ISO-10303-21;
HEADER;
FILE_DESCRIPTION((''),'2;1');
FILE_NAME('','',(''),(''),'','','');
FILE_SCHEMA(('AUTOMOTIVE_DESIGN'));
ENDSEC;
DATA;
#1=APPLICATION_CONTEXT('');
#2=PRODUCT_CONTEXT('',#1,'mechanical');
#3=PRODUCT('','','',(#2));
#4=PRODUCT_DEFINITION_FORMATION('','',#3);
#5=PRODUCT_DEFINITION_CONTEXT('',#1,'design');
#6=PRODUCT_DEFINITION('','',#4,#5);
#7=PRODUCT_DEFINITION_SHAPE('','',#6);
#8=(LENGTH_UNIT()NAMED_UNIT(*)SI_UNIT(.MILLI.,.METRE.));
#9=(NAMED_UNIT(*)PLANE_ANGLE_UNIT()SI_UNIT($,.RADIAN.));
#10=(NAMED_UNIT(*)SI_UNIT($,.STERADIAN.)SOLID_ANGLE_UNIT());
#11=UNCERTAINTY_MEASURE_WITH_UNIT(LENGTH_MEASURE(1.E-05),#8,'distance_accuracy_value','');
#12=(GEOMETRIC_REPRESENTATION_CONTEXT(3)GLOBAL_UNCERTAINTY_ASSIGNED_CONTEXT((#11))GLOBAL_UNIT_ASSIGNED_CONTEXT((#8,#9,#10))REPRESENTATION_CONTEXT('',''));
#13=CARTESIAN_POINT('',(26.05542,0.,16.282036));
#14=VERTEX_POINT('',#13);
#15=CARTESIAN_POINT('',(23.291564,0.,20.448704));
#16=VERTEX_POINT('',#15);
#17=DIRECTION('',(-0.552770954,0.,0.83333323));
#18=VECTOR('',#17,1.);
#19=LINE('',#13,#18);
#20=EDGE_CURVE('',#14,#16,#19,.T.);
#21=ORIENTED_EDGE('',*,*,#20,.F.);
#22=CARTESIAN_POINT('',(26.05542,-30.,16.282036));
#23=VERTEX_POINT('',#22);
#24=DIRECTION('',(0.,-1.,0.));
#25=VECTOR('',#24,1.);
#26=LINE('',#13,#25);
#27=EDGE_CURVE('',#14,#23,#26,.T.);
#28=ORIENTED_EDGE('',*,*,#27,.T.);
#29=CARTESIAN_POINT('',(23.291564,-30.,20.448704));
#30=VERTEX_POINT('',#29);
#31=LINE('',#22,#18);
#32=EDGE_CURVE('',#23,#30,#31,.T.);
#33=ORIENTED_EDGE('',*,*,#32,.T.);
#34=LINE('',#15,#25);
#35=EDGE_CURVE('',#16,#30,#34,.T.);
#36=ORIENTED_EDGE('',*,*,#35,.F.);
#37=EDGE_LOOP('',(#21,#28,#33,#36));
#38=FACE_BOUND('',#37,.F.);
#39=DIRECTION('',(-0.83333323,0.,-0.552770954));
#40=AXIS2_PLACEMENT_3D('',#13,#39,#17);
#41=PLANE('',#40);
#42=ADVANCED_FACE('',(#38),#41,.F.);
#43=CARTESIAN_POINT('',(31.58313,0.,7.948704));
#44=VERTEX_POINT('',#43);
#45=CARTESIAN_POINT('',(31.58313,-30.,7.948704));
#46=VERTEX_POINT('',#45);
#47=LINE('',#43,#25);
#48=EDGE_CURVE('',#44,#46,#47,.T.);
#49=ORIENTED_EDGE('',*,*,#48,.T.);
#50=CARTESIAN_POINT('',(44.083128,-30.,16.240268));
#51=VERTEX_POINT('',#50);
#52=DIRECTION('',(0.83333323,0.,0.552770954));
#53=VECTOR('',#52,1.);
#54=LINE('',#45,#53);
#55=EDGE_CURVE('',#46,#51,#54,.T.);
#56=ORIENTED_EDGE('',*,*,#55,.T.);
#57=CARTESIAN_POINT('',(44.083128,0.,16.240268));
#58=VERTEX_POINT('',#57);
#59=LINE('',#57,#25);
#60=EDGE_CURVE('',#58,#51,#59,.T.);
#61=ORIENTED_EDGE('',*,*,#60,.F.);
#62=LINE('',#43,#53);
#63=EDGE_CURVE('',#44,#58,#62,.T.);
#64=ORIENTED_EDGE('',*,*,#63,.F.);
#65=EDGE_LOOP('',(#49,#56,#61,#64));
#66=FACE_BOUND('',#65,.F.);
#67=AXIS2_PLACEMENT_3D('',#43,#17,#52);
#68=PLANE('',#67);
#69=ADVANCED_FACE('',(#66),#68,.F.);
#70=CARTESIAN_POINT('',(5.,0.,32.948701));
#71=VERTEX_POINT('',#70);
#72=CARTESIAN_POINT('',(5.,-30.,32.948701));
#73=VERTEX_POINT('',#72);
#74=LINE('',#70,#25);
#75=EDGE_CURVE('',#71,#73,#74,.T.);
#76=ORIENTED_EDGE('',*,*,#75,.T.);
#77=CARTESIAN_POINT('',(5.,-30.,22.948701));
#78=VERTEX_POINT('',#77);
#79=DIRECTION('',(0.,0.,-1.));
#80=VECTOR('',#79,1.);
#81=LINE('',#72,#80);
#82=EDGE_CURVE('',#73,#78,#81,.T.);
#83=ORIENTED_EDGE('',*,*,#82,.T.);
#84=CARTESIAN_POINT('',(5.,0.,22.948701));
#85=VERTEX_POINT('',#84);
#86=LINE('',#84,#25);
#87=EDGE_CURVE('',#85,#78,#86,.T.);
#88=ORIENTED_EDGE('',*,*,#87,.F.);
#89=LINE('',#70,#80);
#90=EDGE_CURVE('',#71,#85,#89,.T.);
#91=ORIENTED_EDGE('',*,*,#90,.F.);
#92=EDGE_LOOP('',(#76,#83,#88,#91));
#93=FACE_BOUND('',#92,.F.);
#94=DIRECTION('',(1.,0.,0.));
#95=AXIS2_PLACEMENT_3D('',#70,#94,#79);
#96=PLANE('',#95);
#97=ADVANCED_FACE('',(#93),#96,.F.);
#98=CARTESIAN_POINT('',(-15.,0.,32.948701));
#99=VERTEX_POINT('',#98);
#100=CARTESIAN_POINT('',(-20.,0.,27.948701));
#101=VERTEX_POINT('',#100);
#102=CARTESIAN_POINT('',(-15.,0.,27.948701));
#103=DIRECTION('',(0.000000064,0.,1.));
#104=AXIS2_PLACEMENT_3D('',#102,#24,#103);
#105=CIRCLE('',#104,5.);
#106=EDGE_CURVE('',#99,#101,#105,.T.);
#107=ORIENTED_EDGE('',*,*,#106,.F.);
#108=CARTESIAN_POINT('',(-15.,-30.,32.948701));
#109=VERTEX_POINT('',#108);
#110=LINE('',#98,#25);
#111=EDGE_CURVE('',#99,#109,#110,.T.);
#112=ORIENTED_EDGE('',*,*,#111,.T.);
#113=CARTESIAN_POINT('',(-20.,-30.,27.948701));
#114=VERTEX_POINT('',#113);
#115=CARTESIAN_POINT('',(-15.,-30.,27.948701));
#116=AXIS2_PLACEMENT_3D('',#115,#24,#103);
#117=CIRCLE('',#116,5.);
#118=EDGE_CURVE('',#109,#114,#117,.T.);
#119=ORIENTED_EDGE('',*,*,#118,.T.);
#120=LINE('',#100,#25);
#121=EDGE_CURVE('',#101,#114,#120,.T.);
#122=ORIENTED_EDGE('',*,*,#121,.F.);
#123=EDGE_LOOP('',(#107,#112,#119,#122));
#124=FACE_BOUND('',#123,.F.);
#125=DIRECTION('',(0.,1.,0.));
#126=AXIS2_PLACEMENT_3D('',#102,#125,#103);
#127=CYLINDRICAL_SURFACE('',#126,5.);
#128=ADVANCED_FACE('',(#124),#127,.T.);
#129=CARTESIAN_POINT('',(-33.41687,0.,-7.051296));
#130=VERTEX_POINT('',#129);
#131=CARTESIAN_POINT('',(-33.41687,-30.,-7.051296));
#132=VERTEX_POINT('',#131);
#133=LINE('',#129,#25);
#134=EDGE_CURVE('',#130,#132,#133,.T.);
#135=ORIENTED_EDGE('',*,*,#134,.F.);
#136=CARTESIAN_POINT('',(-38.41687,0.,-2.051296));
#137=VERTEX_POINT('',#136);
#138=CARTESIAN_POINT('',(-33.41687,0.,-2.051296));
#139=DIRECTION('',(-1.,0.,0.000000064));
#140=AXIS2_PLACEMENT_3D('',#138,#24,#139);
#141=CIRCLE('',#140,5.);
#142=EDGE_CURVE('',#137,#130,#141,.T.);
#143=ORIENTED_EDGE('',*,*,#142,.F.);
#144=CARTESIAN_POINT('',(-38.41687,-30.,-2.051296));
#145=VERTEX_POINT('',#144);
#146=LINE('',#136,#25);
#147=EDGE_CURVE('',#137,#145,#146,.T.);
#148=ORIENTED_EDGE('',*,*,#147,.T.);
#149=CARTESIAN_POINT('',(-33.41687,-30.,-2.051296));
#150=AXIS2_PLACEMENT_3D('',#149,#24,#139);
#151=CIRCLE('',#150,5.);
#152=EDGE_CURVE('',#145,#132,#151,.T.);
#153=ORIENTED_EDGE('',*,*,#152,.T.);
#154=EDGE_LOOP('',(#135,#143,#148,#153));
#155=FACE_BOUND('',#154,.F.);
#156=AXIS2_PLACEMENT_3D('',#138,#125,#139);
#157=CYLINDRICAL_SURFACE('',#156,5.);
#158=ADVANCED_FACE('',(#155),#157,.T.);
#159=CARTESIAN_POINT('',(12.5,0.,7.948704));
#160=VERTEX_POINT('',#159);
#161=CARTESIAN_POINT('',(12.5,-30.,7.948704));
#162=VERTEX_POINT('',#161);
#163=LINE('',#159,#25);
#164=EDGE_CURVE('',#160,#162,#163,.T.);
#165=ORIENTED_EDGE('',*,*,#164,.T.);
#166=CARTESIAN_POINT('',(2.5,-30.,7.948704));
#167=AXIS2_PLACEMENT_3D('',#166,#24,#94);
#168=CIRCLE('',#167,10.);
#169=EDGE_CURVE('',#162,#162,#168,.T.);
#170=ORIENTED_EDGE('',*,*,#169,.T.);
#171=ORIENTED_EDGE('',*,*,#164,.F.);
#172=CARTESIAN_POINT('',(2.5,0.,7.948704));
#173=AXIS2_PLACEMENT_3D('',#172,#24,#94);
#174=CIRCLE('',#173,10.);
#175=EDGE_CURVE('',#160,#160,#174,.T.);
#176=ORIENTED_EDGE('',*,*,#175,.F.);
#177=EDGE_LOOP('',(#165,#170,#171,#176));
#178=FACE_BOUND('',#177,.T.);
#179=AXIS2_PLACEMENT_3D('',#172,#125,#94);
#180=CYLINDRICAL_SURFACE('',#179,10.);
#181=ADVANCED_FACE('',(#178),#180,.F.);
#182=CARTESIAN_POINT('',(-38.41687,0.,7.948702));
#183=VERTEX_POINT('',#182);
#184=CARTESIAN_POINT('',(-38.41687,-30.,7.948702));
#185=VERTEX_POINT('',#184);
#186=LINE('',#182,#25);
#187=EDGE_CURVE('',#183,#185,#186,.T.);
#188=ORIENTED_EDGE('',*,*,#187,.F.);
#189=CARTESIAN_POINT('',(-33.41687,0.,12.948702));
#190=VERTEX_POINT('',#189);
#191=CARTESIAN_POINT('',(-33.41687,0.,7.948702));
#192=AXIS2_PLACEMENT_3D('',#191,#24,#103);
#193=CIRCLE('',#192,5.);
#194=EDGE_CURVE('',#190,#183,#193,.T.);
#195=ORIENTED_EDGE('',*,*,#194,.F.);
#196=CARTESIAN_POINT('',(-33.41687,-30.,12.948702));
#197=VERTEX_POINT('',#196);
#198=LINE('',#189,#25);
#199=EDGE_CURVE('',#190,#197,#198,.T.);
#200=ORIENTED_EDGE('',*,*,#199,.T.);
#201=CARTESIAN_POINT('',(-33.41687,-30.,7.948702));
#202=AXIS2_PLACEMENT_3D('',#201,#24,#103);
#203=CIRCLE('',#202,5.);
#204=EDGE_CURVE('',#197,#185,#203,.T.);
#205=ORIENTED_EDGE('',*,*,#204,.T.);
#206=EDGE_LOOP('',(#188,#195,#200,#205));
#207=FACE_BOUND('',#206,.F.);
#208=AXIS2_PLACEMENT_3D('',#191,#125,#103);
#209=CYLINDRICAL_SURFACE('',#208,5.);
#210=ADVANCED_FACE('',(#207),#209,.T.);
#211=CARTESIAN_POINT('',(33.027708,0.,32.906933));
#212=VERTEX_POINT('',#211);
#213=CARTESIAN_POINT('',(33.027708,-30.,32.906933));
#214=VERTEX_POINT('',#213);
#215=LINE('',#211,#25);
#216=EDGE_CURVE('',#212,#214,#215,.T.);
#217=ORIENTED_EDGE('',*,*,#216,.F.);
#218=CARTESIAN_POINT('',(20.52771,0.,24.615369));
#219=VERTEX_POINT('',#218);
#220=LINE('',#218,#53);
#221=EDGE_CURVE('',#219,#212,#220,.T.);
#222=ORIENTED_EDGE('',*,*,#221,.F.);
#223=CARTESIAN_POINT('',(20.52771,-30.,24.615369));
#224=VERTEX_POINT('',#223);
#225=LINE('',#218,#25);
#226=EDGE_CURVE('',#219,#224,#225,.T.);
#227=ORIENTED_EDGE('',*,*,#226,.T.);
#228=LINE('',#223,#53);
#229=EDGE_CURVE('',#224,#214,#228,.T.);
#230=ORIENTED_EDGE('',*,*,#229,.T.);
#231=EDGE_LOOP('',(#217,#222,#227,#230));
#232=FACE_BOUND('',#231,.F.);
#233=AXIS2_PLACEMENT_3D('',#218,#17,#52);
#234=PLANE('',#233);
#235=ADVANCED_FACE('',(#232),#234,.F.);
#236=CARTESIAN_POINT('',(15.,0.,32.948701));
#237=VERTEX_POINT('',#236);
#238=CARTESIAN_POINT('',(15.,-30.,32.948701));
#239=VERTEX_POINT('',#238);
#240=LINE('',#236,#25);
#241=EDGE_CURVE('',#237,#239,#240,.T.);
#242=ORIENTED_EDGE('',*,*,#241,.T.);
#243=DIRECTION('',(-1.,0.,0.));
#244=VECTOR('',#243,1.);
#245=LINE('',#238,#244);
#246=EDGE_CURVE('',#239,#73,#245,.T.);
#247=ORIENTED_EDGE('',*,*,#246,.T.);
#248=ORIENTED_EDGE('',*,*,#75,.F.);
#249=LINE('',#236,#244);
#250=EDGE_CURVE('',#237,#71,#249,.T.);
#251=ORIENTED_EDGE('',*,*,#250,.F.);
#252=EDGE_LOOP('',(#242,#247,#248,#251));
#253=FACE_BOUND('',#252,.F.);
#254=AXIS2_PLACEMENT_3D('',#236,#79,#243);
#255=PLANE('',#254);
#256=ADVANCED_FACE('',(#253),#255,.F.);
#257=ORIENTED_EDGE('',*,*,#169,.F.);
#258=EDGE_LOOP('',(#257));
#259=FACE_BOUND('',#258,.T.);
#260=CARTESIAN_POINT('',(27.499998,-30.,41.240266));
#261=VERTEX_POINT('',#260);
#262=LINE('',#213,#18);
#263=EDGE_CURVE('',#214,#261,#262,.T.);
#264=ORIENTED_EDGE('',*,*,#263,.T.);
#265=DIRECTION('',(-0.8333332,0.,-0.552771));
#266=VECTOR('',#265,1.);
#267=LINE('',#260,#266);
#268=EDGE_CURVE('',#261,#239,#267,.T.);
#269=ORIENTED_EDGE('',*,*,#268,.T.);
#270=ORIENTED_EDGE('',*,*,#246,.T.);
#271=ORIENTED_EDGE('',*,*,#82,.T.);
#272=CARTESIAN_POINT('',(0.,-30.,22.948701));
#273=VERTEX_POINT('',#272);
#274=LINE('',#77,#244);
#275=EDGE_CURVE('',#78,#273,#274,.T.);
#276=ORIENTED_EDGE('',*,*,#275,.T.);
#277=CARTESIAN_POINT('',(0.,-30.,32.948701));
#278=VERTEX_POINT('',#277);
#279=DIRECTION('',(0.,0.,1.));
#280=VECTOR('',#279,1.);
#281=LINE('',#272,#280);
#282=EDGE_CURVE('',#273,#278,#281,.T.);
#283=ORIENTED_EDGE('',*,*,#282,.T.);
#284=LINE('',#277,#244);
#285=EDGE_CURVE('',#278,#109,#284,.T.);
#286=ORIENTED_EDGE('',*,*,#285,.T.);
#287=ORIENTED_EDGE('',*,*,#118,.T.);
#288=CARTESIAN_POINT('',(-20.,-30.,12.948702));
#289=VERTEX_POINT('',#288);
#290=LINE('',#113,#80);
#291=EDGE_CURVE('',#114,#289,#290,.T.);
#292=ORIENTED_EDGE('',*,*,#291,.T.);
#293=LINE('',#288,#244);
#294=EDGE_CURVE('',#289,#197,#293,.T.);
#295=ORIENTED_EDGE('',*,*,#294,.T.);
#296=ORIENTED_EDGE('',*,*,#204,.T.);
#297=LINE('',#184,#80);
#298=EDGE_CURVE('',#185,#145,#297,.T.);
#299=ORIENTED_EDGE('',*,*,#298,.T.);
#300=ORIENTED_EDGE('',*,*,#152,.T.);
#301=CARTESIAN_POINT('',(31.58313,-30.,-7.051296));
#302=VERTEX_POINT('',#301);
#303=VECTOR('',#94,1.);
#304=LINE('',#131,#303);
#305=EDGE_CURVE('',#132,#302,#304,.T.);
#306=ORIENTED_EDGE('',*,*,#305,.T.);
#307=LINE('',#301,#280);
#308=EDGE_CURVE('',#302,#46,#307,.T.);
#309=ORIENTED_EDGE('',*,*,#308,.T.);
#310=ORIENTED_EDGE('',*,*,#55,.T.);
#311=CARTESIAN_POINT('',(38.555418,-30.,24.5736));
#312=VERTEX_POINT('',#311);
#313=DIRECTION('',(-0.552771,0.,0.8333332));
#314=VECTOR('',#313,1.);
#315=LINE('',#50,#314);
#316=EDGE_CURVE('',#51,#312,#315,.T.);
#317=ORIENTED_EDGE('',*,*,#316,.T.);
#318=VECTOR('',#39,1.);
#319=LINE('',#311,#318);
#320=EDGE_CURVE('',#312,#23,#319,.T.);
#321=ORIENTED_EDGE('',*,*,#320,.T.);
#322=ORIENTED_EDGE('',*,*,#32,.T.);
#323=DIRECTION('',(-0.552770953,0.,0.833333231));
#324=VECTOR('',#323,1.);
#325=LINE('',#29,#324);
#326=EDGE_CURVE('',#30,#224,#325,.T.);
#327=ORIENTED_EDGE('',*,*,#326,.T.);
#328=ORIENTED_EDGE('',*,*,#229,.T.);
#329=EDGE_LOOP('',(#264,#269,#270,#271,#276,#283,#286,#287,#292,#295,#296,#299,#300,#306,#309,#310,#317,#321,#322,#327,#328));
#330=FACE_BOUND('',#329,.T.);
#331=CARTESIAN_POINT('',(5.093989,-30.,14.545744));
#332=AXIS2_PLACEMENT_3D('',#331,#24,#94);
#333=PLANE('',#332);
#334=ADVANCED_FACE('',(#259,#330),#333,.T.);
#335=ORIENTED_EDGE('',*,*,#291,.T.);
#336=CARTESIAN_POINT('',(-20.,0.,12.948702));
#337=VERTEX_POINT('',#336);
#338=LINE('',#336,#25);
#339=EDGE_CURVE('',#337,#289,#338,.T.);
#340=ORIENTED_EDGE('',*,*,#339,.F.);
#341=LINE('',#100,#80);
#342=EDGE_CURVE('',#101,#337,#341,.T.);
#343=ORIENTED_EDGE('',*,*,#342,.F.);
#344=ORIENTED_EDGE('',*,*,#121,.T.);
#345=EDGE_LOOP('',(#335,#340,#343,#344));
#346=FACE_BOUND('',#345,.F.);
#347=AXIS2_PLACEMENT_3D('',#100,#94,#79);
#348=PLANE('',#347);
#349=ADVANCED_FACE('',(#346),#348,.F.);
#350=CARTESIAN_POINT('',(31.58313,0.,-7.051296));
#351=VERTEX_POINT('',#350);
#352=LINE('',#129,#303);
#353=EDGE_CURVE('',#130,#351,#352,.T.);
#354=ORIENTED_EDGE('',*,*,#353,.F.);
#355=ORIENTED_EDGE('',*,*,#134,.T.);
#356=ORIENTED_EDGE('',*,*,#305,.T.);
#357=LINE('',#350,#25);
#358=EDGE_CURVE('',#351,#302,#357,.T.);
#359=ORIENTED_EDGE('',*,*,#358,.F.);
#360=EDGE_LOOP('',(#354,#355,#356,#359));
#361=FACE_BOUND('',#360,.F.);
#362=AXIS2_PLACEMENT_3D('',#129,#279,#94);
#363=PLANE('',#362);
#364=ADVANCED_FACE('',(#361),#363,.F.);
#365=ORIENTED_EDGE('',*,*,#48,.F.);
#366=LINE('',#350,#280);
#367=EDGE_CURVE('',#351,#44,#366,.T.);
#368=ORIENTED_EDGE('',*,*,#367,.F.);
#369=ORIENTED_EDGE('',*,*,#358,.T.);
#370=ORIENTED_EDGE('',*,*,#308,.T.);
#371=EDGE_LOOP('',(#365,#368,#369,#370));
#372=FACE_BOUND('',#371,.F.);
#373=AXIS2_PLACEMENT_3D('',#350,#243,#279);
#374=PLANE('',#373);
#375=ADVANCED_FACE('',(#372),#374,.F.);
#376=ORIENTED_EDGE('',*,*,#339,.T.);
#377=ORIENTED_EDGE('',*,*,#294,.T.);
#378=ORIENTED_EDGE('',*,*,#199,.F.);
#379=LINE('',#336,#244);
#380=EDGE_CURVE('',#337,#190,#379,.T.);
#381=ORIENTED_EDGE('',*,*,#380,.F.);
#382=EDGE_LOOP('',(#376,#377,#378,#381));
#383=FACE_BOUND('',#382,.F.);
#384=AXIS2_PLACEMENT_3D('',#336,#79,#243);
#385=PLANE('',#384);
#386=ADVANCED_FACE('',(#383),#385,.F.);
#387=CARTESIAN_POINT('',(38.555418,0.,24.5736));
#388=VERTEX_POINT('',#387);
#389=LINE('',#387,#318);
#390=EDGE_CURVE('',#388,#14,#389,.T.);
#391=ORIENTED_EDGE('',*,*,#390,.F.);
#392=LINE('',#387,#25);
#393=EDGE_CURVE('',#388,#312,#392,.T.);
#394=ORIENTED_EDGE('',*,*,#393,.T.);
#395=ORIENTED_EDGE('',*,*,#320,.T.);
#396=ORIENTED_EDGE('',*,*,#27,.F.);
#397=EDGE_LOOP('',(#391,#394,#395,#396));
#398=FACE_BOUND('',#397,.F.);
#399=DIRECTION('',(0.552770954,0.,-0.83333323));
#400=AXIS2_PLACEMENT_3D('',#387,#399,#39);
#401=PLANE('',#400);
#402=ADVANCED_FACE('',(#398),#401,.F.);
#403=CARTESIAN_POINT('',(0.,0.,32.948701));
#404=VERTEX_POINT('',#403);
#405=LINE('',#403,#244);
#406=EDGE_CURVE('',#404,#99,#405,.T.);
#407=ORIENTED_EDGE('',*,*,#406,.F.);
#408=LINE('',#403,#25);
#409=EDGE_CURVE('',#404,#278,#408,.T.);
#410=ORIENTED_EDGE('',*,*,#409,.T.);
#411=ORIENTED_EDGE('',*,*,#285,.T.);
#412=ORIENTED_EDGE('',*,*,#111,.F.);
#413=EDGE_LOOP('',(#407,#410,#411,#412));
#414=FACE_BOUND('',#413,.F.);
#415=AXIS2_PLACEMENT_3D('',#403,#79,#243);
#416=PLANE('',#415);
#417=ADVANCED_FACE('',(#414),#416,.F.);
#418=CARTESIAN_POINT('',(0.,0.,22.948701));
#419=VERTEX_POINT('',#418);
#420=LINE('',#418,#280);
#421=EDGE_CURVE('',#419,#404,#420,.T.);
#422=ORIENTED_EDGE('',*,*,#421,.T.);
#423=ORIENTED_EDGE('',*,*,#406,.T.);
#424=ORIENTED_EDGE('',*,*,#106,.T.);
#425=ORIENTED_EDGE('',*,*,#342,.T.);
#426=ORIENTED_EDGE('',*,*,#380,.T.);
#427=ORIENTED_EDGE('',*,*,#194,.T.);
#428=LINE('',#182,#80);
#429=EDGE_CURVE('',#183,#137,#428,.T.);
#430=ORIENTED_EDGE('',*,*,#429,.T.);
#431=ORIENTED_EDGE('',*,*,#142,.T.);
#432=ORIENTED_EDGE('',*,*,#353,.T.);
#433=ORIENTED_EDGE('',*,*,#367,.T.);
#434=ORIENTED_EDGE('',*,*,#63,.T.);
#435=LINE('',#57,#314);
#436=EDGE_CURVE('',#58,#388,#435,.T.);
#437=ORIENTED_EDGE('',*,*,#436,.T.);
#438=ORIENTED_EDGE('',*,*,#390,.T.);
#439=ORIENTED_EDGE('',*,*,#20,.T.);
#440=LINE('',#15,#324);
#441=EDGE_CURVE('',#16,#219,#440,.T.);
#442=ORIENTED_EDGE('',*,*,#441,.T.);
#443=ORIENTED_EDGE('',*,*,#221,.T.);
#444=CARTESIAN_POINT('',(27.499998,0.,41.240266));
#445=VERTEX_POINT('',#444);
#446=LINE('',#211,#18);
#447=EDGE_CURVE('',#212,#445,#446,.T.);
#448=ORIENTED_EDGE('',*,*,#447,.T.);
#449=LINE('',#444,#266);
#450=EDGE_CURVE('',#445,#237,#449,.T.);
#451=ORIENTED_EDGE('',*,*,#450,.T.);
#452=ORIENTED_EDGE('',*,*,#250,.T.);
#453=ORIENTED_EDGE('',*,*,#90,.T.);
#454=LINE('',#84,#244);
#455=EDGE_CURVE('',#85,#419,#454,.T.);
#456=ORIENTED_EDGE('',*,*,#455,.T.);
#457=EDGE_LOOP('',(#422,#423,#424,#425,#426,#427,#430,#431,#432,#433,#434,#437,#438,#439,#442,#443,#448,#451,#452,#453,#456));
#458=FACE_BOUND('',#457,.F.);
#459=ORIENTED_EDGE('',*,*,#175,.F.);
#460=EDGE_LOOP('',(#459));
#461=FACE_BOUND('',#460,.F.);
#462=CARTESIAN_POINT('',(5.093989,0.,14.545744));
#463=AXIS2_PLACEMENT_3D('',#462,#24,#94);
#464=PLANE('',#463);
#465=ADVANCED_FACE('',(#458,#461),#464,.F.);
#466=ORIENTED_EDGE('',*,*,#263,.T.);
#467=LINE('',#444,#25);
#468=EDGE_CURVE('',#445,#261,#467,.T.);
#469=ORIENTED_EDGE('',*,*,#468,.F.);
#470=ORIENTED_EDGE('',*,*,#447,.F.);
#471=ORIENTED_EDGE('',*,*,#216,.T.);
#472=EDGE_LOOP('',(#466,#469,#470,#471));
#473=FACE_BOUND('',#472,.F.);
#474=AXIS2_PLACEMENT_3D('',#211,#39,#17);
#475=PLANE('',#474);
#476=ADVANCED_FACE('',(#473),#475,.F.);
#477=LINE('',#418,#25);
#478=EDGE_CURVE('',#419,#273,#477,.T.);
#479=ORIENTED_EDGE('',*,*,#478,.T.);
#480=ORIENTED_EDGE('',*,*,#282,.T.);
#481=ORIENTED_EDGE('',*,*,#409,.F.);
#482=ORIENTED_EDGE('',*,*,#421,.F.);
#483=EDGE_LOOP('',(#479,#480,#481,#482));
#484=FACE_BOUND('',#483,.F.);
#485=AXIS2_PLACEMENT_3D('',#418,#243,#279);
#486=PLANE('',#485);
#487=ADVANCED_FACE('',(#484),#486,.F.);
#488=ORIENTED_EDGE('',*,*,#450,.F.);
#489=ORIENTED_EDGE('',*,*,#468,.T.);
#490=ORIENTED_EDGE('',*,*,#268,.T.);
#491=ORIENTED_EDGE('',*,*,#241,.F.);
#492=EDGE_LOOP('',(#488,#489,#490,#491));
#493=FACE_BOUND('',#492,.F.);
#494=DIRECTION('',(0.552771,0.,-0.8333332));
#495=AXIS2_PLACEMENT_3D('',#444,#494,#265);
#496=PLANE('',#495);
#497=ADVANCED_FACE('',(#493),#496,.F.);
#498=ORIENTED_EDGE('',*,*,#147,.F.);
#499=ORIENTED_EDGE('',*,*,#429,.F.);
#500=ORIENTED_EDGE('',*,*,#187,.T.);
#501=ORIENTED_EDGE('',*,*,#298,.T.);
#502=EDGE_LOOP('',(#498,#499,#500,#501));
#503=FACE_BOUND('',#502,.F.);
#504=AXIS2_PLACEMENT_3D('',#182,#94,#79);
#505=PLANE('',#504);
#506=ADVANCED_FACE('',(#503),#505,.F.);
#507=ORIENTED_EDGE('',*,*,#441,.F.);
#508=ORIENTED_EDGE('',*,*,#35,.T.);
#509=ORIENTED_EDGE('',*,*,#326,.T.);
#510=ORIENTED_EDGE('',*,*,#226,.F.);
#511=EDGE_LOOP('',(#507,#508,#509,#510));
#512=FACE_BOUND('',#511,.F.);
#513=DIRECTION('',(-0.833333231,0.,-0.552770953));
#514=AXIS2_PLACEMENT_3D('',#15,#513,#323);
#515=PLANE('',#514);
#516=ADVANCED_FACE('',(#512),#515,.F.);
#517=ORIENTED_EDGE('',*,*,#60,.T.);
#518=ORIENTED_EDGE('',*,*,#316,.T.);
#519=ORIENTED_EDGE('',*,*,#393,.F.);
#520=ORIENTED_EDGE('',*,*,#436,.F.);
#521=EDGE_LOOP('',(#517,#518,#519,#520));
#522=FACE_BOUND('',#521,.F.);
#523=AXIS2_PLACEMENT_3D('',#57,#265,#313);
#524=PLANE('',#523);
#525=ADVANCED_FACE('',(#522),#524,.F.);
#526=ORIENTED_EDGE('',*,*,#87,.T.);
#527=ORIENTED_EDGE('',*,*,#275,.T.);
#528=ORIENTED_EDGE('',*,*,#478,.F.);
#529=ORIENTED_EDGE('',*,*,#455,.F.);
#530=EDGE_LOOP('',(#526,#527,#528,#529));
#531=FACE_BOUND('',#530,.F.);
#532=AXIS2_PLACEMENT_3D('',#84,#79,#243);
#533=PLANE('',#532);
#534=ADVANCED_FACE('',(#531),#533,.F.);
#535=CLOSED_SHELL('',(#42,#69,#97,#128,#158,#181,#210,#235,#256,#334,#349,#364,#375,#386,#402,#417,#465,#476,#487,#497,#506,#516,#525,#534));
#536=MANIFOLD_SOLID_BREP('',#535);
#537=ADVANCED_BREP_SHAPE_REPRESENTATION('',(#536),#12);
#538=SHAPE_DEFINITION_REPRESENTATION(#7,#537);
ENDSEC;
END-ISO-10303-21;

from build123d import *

# Parameters (mm, degrees)
F0_R     = 10
F1_DEPTH = 30


with BuildPart() as f1:
    # F0 (on Front) → F1 (new body)
    with BuildSketch(Plane.XZ):
        with BuildLine():
            Line((27.499998, 41.240266), (15, 32.948701))
            Line((15, 32.948701), (5, 32.948701))
            Line((5, 32.948701), (5, 22.948701))
            Line((5, 22.948701), (0, 22.948701))
            Line((0, 22.948701), (0, 32.948701))
            Line((0, 32.948701), (-15, 32.948701))
            ThreePointArc((-15, 32.948701), (-18.535534, 31.484235), (-20, 27.948701))
            Line((-20, 27.948701), (-20, 12.948702))
            Line((-20, 12.948702), (-33.41687, 12.948702))
            ThreePointArc((-33.41687, 12.948702), (-36.952404, 11.484236), (-38.41687, 7.948702))
            Line((-38.41687, 7.948702), (-38.41687, -2.051296))
            ThreePointArc((-38.41687, -2.051296), (-36.952404, -5.58683), (-33.41687, -7.051296))
            Line((-33.41687, -7.051296), (31.58313, -7.051296))
            Line((31.58313, -7.051296), (31.58313, 7.948704))
            Line((31.58313, 7.948704), (44.083128, 16.240268))
            Line((44.083128, 16.240268), (38.555418, 24.5736))
            Line((38.555418, 24.5736), (26.05542, 16.282036))
            Line((26.05542, 16.282036), (23.291564, 20.448704))
            Line((23.291564, 20.448704), (20.52771, 24.615369))
            Line((20.52771, 24.615369), (33.027708, 32.906933))
            Line((33.027708, 32.906933), (27.499998, 41.240266))
        make_face()
        with Locations((2.5, 7.948704)):
            Circle(F0_R, mode=Mode.SUBTRACT)
    extrude(amount=F1_DEPTH)


solid = f1.part
